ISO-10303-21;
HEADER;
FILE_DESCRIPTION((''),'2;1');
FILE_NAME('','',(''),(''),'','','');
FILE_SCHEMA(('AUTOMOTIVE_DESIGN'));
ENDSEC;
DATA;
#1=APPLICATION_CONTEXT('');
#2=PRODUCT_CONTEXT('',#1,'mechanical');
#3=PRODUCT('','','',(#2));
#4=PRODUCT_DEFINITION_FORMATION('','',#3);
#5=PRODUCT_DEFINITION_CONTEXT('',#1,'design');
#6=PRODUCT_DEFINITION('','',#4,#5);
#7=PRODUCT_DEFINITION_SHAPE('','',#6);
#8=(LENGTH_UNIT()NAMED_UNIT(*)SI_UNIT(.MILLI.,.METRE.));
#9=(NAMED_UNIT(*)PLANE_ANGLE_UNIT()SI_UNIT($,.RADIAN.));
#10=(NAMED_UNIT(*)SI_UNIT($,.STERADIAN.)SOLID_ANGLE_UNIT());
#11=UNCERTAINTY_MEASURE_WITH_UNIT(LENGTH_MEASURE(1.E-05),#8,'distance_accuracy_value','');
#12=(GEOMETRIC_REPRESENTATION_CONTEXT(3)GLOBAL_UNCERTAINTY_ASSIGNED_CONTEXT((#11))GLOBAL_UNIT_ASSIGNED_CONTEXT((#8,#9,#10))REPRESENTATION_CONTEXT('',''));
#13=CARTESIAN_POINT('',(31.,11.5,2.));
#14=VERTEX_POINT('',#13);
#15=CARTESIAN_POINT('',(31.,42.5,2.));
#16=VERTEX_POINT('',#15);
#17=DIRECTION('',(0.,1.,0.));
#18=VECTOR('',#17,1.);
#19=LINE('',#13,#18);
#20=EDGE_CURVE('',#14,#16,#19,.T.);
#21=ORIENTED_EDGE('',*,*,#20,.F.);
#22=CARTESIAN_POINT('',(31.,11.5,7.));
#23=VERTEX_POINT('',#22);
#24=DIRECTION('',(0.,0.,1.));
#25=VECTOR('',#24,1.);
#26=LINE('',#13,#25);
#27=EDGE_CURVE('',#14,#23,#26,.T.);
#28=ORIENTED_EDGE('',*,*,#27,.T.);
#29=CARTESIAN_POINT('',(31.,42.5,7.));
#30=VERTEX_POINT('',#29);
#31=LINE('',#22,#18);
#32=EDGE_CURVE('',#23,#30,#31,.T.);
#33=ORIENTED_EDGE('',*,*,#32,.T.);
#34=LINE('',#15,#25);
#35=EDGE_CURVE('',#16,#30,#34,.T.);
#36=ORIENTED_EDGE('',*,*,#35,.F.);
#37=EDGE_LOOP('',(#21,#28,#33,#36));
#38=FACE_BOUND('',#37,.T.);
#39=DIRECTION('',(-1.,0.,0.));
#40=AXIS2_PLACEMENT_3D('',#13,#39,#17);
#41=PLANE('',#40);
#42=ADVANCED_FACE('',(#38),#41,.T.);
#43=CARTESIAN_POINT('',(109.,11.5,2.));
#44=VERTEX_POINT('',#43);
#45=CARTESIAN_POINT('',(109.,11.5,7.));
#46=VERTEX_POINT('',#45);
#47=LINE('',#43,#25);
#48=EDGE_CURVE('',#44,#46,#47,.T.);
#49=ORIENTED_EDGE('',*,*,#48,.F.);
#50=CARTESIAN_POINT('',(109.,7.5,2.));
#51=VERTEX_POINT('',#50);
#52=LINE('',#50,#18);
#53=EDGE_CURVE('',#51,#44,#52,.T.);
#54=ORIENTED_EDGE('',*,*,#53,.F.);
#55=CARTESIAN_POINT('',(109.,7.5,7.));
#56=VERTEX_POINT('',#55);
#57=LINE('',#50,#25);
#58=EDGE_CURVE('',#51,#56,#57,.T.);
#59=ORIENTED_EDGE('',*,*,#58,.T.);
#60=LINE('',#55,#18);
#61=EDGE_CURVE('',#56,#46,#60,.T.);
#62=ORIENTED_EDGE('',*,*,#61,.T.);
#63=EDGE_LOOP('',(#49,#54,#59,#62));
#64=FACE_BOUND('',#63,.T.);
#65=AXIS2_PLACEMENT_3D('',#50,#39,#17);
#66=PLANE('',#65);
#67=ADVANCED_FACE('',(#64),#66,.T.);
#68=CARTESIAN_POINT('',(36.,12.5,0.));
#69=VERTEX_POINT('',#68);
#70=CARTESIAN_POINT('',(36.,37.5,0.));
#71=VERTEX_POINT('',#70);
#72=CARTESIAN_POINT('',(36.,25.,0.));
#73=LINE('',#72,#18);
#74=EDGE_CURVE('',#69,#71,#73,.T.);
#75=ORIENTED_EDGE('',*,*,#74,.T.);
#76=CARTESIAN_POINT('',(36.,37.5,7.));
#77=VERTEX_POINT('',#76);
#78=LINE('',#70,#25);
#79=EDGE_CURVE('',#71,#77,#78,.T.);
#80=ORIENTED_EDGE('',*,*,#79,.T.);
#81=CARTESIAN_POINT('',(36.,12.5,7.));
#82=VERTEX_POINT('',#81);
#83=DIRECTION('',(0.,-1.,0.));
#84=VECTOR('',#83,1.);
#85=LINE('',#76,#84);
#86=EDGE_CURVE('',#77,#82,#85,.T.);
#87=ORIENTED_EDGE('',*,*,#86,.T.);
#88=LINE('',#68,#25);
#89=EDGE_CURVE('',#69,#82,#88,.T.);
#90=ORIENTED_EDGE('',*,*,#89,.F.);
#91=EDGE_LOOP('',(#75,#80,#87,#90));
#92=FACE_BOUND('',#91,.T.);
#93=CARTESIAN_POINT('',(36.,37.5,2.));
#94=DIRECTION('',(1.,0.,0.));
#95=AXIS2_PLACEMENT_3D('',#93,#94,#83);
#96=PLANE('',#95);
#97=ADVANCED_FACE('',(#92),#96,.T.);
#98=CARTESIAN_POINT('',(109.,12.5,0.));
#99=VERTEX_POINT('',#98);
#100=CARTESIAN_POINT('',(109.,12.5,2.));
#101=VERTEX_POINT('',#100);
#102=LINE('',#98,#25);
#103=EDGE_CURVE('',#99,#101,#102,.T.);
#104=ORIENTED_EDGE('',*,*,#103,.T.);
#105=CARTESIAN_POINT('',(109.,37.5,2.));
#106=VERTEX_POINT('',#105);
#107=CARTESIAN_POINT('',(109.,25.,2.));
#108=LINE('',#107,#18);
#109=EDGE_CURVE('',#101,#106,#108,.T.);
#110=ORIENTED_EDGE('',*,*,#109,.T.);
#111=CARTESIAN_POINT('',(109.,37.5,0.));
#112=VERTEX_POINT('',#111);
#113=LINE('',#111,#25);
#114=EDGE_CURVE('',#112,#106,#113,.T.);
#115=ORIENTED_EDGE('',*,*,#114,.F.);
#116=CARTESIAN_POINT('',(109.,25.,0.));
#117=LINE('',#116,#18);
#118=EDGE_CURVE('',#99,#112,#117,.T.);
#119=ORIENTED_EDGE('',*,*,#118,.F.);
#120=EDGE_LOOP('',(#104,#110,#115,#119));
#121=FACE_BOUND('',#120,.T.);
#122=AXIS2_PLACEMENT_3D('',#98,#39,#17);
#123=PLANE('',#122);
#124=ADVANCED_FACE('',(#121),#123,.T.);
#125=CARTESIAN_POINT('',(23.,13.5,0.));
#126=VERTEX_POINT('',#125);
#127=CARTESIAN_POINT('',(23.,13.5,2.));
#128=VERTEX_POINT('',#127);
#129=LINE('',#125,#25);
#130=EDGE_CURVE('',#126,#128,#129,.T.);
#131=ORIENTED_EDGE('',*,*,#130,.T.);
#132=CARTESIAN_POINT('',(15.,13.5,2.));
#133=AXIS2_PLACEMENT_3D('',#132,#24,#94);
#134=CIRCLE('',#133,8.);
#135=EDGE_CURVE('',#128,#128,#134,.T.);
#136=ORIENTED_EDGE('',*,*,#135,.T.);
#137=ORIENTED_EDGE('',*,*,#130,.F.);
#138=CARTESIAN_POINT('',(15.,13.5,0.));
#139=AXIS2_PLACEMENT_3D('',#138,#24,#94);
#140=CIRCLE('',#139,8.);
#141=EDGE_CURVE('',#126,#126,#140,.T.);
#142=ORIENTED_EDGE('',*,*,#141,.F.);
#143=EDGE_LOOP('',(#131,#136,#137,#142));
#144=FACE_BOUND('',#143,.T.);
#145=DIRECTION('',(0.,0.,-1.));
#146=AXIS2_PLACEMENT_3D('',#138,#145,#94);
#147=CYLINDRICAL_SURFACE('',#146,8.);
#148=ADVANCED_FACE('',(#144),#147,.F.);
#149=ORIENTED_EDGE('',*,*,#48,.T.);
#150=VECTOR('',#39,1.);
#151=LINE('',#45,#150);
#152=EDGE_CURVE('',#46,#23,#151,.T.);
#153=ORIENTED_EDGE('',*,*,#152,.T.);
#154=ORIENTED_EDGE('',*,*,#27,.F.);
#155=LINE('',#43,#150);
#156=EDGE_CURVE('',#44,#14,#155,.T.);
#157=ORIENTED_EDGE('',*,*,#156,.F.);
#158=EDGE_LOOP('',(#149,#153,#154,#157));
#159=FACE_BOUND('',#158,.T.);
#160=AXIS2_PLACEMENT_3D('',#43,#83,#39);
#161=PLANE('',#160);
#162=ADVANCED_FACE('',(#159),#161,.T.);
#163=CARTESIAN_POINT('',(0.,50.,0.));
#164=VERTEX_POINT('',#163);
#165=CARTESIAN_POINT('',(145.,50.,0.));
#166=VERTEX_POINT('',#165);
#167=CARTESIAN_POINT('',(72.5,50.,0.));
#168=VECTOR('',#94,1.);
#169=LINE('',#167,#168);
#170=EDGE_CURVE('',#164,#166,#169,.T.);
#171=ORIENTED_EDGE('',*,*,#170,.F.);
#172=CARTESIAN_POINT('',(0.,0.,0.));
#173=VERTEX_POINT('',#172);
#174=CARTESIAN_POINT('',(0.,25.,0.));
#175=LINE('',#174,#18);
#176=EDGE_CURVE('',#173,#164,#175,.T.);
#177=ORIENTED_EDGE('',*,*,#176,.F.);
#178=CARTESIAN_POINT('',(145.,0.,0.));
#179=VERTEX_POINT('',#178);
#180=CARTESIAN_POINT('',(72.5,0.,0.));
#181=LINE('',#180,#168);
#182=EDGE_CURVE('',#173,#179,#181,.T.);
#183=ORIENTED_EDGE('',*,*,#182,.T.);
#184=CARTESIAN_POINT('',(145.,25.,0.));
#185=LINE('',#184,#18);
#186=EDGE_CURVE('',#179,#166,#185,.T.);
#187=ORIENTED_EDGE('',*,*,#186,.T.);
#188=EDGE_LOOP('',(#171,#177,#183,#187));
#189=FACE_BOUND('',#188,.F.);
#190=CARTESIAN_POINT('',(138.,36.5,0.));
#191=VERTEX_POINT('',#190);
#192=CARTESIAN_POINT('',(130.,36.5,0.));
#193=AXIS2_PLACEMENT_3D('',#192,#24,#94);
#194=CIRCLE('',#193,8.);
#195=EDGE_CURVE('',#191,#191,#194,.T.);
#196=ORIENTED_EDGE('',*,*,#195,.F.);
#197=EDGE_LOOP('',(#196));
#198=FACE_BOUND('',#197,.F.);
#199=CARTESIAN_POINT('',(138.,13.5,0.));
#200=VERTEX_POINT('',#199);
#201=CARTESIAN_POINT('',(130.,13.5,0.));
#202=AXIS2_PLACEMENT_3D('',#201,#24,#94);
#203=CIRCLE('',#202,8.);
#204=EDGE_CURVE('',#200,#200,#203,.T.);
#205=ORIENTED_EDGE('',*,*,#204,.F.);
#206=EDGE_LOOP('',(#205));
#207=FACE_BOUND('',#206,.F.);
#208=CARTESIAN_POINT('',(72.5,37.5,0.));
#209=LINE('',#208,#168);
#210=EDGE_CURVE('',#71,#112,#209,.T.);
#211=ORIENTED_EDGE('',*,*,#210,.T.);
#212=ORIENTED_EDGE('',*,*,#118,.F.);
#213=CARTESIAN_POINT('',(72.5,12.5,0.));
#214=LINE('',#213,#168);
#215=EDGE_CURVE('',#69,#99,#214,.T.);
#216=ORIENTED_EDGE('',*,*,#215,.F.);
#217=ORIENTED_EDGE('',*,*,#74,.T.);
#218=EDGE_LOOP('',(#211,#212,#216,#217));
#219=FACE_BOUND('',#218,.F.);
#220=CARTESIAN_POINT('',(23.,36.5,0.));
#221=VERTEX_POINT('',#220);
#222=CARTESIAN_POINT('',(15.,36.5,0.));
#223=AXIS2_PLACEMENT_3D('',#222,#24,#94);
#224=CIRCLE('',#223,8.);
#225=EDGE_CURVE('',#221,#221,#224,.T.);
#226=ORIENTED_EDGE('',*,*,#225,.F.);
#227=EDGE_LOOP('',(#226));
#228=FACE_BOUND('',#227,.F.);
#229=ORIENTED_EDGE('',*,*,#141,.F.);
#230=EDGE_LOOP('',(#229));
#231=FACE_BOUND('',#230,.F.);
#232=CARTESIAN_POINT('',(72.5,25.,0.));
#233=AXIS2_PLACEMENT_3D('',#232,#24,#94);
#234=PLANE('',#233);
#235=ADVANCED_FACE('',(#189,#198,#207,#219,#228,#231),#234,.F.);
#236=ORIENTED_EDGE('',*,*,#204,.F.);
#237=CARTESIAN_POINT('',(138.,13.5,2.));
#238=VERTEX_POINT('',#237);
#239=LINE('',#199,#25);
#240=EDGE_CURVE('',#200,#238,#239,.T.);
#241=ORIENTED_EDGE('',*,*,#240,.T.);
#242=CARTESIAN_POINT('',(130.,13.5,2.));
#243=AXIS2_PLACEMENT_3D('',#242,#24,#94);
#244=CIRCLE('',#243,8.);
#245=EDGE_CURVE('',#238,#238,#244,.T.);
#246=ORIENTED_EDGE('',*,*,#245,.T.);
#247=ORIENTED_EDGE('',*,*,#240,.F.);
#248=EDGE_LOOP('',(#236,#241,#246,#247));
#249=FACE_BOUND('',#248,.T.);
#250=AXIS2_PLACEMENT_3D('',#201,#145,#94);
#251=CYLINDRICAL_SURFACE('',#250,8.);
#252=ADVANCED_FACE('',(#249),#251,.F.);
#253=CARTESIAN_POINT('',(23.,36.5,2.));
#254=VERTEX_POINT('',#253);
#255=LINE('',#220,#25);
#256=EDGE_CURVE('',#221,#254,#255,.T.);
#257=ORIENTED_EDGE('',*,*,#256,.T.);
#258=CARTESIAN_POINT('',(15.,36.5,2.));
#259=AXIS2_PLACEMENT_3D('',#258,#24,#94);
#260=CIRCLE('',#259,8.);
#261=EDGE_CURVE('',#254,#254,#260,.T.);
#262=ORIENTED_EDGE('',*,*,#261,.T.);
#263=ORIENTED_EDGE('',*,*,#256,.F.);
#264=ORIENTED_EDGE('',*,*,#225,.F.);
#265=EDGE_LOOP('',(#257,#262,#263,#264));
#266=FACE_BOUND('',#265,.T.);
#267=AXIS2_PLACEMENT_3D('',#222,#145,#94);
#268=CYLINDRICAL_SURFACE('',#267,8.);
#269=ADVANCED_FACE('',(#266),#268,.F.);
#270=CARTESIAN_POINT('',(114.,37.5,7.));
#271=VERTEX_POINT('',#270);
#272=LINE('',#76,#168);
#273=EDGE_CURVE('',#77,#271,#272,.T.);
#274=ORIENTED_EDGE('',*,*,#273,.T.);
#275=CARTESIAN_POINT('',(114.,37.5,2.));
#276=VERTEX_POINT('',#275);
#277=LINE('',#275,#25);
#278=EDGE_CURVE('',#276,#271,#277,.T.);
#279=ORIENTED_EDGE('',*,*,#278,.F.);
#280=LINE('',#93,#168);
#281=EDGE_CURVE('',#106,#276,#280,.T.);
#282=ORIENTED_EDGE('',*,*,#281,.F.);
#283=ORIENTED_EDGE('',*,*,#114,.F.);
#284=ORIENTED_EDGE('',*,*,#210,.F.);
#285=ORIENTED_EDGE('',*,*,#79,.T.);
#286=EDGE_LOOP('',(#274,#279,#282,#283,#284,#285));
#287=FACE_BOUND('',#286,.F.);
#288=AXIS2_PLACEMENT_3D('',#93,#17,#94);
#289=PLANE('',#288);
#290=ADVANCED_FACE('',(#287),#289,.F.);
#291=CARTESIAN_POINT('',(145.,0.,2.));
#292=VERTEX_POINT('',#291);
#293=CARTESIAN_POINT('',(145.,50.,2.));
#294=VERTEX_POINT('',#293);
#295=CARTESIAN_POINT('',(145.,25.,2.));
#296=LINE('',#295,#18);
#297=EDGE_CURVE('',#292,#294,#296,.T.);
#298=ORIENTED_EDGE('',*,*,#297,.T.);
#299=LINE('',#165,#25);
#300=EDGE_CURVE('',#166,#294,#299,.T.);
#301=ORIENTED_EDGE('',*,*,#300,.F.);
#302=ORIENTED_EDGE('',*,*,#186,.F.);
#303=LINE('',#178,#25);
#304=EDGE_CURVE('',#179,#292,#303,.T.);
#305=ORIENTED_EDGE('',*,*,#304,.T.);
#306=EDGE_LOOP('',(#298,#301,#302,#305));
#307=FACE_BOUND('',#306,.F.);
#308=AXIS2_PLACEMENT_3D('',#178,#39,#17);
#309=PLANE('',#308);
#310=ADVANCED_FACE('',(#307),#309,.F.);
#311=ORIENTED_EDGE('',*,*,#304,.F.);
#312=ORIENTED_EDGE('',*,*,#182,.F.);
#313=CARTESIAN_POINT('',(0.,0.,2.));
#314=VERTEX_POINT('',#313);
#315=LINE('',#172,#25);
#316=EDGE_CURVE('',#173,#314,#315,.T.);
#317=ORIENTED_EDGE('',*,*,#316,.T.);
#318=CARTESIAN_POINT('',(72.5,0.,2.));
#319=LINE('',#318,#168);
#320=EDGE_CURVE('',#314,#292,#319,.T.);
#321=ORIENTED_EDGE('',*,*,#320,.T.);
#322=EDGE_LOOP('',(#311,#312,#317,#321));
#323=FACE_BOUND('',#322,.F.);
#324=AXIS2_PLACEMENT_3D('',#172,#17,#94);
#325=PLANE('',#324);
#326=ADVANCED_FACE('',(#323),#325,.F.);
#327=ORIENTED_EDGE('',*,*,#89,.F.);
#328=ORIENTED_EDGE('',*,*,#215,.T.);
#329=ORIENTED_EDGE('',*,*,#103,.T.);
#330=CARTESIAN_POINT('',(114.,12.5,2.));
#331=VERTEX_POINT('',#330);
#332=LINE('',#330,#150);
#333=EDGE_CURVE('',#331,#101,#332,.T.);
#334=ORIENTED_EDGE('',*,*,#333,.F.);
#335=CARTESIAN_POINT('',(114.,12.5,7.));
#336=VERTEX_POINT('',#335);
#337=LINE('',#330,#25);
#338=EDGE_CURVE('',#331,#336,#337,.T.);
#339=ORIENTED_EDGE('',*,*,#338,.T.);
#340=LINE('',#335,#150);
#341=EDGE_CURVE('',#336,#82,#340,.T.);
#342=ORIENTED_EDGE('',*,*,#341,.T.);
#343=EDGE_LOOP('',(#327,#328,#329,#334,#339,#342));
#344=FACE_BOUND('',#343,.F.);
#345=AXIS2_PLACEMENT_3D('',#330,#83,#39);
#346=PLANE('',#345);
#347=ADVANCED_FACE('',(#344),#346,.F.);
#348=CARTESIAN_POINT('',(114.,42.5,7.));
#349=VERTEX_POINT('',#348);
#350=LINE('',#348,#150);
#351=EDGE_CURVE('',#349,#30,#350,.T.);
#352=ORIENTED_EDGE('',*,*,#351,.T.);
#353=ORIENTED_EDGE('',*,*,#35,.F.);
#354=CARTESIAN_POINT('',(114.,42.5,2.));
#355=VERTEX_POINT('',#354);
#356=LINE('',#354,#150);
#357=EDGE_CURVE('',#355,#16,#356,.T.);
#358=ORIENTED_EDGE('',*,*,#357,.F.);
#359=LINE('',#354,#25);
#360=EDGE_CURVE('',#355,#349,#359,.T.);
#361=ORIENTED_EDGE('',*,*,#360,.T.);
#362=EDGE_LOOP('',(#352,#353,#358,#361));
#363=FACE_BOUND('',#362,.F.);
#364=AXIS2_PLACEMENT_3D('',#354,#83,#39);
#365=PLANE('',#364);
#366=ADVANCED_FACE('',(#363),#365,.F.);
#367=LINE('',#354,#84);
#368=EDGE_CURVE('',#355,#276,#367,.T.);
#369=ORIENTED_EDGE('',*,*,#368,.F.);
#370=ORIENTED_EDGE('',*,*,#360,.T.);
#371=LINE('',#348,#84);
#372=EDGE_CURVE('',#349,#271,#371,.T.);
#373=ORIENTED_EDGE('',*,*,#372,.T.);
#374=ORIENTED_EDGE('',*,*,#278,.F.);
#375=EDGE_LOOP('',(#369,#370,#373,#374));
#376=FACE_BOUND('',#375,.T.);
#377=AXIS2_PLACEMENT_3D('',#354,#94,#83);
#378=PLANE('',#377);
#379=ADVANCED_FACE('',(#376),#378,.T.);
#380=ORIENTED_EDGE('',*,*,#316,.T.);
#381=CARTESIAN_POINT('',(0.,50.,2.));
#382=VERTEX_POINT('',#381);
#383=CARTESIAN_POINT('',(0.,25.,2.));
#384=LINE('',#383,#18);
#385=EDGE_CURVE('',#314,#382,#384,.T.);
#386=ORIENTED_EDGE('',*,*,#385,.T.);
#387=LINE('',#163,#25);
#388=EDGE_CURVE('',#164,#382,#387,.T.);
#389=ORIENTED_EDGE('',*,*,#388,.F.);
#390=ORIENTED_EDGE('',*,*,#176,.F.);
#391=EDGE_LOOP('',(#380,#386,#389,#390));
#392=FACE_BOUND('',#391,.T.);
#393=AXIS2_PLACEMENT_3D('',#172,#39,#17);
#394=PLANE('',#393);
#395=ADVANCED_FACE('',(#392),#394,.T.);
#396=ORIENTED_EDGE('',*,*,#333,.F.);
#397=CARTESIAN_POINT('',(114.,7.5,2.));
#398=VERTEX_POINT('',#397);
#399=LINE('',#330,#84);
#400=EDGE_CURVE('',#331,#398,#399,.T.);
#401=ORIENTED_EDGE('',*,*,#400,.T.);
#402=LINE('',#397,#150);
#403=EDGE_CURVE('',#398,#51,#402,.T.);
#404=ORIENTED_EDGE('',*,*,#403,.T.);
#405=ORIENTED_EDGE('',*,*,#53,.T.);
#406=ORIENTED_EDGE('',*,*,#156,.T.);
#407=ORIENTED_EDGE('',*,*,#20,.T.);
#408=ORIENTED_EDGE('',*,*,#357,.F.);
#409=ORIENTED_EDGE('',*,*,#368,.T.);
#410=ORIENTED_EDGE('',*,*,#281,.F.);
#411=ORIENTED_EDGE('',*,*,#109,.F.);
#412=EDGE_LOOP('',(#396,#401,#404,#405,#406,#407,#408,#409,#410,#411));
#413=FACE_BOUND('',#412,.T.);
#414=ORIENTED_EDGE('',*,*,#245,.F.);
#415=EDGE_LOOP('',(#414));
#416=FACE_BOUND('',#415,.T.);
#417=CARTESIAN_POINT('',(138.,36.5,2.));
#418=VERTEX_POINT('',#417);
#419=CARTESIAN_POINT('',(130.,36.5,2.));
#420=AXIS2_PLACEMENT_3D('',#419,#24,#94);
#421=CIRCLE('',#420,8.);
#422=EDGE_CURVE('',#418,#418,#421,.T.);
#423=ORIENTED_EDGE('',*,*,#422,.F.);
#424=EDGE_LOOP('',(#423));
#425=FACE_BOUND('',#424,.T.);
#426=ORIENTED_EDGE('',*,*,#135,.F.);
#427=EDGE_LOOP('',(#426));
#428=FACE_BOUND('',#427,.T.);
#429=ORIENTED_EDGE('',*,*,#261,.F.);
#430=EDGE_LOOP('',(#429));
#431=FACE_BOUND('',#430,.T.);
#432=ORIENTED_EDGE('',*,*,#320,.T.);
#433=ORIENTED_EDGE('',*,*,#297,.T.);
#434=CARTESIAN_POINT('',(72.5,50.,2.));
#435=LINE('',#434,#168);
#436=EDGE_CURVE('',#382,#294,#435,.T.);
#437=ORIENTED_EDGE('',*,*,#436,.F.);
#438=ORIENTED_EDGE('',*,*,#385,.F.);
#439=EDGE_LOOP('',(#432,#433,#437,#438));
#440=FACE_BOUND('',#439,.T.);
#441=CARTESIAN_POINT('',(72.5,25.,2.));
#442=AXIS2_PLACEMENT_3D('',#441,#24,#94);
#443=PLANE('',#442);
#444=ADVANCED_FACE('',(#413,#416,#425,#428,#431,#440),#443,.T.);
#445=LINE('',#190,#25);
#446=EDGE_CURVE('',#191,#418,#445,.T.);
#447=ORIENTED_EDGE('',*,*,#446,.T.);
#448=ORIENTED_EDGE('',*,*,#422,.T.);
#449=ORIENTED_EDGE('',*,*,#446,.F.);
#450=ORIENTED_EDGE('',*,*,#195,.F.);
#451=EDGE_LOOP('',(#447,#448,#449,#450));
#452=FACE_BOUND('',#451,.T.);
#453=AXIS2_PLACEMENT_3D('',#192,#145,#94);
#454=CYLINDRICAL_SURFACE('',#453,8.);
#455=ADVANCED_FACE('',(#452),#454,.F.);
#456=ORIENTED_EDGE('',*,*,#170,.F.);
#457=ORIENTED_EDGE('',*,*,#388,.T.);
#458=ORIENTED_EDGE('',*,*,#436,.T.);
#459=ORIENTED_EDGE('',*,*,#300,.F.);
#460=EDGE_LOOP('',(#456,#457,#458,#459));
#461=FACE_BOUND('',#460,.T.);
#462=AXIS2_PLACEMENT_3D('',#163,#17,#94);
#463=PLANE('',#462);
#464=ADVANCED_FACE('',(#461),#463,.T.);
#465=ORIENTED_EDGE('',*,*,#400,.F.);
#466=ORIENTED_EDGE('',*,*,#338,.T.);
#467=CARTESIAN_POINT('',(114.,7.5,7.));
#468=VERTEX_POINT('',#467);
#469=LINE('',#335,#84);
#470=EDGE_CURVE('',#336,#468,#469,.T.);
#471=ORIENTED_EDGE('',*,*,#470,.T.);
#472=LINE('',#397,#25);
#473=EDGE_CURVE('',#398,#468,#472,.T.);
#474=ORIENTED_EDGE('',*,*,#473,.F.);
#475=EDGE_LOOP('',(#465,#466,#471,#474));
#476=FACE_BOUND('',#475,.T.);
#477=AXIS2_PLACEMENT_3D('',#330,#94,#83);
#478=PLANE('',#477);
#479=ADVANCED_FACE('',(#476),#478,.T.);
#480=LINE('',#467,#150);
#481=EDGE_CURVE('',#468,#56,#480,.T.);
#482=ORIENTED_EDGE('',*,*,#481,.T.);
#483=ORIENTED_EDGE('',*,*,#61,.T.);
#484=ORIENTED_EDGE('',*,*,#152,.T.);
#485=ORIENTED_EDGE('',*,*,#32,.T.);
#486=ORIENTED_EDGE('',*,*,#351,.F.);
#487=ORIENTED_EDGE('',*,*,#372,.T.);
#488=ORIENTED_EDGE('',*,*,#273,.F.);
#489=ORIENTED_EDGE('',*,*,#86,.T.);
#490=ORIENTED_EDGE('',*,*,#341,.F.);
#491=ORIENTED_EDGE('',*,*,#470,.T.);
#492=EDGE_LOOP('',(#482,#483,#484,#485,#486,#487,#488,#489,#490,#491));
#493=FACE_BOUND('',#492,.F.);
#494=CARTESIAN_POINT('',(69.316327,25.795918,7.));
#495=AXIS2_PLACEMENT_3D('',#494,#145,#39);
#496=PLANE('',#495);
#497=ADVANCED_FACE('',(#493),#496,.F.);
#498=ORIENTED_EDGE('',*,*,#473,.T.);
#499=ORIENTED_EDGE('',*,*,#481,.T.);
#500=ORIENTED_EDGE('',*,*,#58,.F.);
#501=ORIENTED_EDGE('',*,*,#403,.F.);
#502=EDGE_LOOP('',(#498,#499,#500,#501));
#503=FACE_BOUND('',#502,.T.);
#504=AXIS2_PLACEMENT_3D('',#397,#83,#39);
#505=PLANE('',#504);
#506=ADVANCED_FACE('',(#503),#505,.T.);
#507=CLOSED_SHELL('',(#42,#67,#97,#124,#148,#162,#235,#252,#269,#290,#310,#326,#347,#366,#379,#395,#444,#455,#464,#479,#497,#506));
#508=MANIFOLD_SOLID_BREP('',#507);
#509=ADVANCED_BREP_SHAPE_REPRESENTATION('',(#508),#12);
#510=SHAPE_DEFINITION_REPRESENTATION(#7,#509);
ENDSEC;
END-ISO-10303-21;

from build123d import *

# Parameters (mm, degrees)
SKETCH_W     = 145
SKETCH_H     = 50
SKETCH_R     = 8
SKETCH_W_2   = 73
SKETCH_H_2   = 25
PAD_DEPTH    = 2
PAD001_DEPTH = 5


with BuildPart() as part:
    # Sketch → Pad (new body)
    with BuildSketch(Plane.XY):
        with Locations((72.5, 25)):
            Rectangle(SKETCH_W, SKETCH_H)
        with Locations((15, 13.5)):
            Circle(SKETCH_R, mode=Mode.SUBTRACT)
        with Locations((15, 36.5)):
            Circle(SKETCH_R, mode=Mode.SUBTRACT)
        with Locations((130, 13.5)):
            Circle(SKETCH_R, mode=Mode.SUBTRACT)
        with Locations((130, 36.5)):
            Circle(SKETCH_R, mode=Mode.SUBTRACT)
        with Locations((72.5, 25)):
            Rectangle(SKETCH_W_2, SKETCH_H_2, mode=Mode.SUBTRACT)
    extrude(amount=PAD_DEPTH)

    # Sketch001 (on Face14 of Pad) → Pad001 (join)
    with BuildSketch(Plane.XY.offset(2)):
        Polygon((36, 12.5), (109, 12.5), (114, 12.5), (114, 7.5), (109, 7.5), (109, 11.5), (31, 11.5), (31, 42.5), (109, 42.5), (114, 42.5), (114, 37.5), (109, 37.5), (36, 37.5), align=None)
    extrude(amount=PAD001_DEPTH)


solid = part.part
